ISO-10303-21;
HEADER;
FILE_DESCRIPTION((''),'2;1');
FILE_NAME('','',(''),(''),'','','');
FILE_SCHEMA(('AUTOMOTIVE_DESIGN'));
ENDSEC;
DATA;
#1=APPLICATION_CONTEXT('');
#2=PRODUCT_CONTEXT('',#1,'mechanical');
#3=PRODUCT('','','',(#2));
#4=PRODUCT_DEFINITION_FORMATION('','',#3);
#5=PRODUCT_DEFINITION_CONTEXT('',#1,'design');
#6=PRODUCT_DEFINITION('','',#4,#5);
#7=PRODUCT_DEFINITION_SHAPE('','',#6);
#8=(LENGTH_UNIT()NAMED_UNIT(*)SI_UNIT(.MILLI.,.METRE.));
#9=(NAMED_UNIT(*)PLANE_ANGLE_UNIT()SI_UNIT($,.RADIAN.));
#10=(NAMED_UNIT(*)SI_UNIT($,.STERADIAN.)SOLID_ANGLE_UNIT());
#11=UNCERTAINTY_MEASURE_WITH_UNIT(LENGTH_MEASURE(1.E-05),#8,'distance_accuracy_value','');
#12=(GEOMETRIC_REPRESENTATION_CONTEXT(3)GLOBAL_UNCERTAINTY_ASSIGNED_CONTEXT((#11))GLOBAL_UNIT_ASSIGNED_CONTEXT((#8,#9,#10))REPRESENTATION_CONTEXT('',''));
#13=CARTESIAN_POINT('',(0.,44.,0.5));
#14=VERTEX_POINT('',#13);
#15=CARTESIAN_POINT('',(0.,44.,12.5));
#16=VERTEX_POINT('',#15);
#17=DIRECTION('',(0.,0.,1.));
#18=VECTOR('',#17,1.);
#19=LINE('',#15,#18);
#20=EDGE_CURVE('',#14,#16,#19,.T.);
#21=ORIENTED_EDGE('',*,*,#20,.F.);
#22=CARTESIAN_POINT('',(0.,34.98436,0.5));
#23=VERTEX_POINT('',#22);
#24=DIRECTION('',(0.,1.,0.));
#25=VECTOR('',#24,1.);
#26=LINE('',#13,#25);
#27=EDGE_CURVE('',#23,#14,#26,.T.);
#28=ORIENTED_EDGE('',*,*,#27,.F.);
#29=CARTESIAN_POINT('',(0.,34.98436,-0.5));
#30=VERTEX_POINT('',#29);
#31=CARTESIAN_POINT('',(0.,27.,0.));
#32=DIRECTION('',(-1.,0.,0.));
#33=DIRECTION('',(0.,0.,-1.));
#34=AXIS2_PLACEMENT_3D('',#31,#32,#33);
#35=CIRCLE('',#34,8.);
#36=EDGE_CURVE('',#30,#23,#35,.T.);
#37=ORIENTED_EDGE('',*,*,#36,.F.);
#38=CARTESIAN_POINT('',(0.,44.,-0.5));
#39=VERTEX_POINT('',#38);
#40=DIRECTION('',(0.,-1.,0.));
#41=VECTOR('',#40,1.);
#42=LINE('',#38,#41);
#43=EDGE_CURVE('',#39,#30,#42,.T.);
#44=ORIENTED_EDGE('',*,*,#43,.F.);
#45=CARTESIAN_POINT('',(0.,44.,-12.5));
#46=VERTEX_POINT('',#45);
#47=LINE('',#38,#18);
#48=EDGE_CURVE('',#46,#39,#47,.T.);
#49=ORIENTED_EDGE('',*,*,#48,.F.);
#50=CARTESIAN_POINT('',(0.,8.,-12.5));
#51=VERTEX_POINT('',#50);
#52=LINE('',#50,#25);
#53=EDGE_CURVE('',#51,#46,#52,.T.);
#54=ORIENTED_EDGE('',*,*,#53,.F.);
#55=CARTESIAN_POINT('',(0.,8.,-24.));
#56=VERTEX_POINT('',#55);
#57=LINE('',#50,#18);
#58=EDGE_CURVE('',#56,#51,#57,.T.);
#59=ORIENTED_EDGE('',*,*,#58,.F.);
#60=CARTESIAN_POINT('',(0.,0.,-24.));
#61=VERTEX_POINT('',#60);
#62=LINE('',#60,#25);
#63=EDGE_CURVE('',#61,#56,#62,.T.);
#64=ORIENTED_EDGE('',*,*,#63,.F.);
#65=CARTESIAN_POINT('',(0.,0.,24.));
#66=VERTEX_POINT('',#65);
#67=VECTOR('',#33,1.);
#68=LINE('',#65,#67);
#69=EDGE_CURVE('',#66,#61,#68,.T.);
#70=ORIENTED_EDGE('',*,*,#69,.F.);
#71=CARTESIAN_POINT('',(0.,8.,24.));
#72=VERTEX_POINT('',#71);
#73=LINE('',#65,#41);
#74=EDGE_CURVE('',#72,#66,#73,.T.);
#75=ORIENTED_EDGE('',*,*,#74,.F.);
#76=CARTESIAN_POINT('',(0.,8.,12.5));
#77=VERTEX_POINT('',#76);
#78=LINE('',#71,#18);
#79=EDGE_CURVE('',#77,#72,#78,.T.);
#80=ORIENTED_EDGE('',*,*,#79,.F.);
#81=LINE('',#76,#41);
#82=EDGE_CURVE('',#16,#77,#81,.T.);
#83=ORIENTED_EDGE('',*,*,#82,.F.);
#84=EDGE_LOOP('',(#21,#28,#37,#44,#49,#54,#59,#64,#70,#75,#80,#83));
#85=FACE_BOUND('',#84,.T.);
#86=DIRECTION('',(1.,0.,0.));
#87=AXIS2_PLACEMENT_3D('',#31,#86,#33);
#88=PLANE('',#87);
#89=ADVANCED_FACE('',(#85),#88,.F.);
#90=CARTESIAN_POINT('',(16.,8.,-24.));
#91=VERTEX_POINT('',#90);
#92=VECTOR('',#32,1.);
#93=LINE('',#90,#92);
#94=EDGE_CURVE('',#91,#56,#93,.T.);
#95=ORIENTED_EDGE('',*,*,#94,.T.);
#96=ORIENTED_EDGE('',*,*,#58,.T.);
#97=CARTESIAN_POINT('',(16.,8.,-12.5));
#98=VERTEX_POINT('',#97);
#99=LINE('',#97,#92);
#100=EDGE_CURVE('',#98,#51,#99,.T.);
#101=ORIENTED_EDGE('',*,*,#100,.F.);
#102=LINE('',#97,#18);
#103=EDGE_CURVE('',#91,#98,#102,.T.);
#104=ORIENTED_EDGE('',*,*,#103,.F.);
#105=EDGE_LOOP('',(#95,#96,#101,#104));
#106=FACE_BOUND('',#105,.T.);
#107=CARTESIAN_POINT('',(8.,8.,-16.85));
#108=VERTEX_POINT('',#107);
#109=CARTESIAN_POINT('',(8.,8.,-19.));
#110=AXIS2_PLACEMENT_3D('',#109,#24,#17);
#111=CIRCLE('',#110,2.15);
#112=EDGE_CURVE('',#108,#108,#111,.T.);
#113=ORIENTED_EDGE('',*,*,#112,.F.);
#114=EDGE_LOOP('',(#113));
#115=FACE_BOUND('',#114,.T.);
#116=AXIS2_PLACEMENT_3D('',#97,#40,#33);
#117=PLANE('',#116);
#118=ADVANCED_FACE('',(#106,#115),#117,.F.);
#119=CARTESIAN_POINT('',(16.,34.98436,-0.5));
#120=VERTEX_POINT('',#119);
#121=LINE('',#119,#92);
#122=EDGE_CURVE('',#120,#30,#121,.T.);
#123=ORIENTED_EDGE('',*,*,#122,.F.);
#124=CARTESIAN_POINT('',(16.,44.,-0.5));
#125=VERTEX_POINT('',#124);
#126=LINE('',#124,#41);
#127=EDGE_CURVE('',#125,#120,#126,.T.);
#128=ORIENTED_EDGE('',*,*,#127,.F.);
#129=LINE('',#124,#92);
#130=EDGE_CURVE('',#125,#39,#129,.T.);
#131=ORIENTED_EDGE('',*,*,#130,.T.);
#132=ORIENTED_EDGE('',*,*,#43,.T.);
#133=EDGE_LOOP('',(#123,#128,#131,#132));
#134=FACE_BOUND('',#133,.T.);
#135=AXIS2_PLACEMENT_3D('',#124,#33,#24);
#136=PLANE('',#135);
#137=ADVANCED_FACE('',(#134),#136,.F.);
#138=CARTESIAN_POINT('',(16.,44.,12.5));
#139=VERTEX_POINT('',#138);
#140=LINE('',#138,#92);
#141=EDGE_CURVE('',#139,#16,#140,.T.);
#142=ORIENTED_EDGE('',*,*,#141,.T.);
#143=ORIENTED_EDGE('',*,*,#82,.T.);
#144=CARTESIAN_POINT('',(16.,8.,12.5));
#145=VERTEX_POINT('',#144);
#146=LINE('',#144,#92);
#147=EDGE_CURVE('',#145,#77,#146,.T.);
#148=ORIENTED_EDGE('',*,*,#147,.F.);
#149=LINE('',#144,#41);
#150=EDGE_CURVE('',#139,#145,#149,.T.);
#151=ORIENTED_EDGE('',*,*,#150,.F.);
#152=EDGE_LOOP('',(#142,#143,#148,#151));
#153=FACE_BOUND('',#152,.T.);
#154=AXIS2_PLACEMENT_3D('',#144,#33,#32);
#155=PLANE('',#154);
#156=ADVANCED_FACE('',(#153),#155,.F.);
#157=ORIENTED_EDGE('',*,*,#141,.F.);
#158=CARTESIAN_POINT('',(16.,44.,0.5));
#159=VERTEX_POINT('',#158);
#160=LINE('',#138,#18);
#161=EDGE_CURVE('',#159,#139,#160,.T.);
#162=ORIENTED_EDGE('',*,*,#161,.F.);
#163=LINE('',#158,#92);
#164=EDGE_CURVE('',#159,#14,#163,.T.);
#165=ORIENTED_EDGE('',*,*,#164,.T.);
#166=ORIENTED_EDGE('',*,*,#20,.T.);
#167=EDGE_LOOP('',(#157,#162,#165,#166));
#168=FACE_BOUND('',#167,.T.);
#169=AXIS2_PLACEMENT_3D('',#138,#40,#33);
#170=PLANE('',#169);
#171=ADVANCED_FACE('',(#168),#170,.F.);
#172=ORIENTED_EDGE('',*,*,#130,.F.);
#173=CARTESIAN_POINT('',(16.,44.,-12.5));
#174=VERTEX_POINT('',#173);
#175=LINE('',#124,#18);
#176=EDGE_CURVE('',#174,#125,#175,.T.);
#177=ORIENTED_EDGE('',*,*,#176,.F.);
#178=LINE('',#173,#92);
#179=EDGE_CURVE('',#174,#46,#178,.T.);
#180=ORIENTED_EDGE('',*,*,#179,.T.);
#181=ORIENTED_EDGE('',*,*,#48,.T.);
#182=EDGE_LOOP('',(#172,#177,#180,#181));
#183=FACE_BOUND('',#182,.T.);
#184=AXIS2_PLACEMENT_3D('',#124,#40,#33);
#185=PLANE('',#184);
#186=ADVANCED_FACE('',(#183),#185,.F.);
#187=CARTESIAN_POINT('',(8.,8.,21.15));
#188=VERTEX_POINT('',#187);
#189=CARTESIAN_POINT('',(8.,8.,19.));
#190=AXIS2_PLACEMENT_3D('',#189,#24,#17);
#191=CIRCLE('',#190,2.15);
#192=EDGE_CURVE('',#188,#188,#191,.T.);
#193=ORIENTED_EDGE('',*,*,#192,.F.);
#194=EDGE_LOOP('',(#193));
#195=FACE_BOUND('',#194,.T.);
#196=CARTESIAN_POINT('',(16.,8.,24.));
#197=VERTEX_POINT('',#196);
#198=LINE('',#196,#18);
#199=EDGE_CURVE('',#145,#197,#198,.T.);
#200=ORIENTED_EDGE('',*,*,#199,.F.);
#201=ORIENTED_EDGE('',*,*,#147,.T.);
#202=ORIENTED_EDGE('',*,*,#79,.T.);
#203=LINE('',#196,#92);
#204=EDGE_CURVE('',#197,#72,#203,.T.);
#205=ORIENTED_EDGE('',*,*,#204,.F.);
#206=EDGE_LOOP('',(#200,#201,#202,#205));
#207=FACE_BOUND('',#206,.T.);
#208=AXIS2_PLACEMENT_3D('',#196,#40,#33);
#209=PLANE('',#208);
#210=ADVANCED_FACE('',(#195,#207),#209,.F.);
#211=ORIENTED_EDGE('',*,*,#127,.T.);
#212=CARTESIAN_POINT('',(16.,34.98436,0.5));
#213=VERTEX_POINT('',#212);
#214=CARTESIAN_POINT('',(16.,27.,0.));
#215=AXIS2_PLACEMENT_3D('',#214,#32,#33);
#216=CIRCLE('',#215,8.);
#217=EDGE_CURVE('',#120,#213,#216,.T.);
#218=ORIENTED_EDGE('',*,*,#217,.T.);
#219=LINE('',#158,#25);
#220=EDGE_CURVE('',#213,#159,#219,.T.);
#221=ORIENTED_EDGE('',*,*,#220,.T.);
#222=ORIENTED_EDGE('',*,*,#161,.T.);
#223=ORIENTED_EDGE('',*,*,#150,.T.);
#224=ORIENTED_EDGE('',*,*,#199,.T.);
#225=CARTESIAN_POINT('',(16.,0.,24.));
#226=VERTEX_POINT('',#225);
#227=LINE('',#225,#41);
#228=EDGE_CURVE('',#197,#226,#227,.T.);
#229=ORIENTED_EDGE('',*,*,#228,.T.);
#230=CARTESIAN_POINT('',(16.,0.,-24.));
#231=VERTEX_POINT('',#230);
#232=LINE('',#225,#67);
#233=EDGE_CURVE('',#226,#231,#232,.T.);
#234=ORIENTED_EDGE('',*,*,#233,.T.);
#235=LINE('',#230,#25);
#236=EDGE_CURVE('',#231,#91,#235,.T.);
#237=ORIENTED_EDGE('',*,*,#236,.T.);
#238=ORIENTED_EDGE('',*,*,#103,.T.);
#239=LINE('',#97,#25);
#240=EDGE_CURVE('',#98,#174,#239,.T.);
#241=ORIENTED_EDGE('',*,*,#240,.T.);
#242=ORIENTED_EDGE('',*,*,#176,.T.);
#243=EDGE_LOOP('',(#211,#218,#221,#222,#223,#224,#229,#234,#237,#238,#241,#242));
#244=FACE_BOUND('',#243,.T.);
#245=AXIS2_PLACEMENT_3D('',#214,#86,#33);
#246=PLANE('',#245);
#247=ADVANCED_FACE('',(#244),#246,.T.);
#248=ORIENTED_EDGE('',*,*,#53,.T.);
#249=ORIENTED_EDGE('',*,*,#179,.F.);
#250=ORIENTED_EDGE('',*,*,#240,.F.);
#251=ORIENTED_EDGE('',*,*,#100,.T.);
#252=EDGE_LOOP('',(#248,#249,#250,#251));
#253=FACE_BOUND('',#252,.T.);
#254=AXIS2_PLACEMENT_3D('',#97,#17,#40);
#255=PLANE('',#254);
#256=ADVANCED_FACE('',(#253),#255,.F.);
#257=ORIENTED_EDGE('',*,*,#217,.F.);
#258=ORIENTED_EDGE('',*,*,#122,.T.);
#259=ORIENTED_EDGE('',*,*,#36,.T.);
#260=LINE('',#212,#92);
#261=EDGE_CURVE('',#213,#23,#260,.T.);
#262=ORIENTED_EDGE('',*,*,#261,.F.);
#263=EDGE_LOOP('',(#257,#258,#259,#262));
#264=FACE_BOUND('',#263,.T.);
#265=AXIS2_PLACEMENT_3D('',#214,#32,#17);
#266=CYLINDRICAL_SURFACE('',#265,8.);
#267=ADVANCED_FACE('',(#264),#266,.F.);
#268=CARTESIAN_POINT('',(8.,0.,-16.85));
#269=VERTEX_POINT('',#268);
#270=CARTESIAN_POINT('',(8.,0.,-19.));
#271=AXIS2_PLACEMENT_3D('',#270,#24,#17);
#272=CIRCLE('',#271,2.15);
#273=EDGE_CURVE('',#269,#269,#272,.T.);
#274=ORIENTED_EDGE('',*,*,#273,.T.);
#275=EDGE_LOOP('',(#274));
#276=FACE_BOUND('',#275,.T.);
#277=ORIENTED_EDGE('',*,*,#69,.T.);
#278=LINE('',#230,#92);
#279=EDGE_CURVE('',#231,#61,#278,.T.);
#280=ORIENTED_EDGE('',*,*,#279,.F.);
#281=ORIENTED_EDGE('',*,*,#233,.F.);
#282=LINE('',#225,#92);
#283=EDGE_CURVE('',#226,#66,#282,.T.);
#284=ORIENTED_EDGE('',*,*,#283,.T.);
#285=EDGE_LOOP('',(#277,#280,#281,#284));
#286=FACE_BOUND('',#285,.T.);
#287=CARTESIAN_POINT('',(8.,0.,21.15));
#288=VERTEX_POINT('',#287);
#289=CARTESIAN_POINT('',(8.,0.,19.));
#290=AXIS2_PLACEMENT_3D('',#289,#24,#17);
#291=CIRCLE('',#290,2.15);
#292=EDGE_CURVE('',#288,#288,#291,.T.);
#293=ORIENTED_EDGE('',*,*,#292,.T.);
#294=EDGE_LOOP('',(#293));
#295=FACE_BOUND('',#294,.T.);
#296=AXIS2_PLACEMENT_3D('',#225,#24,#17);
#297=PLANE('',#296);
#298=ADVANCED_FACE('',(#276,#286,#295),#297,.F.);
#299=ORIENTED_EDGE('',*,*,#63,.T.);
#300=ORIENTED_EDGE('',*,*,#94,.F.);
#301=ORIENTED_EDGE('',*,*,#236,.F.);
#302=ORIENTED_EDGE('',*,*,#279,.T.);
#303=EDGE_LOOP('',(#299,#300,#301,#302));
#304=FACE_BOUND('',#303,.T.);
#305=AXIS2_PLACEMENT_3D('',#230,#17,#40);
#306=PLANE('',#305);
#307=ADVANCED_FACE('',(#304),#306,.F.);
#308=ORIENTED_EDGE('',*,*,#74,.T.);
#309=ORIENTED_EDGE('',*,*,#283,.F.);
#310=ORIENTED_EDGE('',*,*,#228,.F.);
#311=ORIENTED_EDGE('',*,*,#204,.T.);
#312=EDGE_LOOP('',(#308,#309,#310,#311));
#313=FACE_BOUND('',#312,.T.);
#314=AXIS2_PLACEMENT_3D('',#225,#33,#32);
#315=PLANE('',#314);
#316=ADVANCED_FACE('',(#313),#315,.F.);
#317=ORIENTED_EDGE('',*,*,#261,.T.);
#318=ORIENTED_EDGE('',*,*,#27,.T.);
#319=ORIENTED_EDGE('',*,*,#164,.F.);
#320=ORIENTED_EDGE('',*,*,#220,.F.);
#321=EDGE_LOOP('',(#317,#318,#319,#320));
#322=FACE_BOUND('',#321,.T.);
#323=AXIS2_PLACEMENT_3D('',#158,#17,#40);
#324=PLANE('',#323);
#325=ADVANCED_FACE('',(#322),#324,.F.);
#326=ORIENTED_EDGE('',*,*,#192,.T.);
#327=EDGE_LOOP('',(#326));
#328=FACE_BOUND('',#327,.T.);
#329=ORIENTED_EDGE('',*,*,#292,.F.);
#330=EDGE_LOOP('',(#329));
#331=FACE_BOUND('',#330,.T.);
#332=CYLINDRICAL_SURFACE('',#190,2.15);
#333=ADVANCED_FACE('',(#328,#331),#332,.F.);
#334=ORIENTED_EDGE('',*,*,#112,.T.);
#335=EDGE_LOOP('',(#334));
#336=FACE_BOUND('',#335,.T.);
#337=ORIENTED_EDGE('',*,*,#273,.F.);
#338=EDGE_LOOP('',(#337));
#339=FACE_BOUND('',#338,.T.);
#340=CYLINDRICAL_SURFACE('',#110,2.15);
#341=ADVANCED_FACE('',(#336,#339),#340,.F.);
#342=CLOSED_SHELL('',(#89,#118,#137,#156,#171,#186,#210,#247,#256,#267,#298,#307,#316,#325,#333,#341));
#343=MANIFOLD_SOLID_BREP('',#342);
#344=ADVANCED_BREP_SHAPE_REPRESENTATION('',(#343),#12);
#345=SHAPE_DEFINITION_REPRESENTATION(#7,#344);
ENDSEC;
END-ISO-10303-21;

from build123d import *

# Parameters (mm, degrees)
BOSS_EXTRUDE1_DEPTH  = 16
M4_CLEARANCE_HOLE2_D = 4.3


with BuildPart() as part:
    # Sketch1 → Boss-Extrude1 (new body)
    with BuildSketch(Plane(origin=(0, 0, 0), x_dir=(0, 0, -1), z_dir=(1, 0, 0))):
        with BuildLine():
            Line((12.5, 8), (24, 8))
            Line((24, 8), (24, 0))
            Line((24, 0), (-24, 0))
            Line((-24, 0), (-24, 8))
            Line((-24, 8), (-12.5, 8))
            Line((-12.5, 8), (-12.5, 44))
            Line((-12.5, 44), (-0.5, 44))
            Line((-0.5, 44), (-0.5, 34.984359711))
            ThreePointArc((-0.5, 34.984359711), (0, 19), (0.5, 34.984359711))
            Line((0.5, 34.984359711), (0.5, 44))
            Line((0.5, 44), (12.5, 44))
            Line((12.5, 44), (12.5, 8))
        make_face()
    extrude(amount=BOSS_EXTRUDE1_DEPTH)

    # M4 Clearance Hole2 (through all)
    with Locations(Plane(origin=(0, 8, 0), x_dir=(1, 0, 0), z_dir=(0, 1, 0))):
        with Locations((8, 19), (8, -19)):
            Hole(M4_CLEARANCE_HOLE2_D / 2)


solid = part.part
